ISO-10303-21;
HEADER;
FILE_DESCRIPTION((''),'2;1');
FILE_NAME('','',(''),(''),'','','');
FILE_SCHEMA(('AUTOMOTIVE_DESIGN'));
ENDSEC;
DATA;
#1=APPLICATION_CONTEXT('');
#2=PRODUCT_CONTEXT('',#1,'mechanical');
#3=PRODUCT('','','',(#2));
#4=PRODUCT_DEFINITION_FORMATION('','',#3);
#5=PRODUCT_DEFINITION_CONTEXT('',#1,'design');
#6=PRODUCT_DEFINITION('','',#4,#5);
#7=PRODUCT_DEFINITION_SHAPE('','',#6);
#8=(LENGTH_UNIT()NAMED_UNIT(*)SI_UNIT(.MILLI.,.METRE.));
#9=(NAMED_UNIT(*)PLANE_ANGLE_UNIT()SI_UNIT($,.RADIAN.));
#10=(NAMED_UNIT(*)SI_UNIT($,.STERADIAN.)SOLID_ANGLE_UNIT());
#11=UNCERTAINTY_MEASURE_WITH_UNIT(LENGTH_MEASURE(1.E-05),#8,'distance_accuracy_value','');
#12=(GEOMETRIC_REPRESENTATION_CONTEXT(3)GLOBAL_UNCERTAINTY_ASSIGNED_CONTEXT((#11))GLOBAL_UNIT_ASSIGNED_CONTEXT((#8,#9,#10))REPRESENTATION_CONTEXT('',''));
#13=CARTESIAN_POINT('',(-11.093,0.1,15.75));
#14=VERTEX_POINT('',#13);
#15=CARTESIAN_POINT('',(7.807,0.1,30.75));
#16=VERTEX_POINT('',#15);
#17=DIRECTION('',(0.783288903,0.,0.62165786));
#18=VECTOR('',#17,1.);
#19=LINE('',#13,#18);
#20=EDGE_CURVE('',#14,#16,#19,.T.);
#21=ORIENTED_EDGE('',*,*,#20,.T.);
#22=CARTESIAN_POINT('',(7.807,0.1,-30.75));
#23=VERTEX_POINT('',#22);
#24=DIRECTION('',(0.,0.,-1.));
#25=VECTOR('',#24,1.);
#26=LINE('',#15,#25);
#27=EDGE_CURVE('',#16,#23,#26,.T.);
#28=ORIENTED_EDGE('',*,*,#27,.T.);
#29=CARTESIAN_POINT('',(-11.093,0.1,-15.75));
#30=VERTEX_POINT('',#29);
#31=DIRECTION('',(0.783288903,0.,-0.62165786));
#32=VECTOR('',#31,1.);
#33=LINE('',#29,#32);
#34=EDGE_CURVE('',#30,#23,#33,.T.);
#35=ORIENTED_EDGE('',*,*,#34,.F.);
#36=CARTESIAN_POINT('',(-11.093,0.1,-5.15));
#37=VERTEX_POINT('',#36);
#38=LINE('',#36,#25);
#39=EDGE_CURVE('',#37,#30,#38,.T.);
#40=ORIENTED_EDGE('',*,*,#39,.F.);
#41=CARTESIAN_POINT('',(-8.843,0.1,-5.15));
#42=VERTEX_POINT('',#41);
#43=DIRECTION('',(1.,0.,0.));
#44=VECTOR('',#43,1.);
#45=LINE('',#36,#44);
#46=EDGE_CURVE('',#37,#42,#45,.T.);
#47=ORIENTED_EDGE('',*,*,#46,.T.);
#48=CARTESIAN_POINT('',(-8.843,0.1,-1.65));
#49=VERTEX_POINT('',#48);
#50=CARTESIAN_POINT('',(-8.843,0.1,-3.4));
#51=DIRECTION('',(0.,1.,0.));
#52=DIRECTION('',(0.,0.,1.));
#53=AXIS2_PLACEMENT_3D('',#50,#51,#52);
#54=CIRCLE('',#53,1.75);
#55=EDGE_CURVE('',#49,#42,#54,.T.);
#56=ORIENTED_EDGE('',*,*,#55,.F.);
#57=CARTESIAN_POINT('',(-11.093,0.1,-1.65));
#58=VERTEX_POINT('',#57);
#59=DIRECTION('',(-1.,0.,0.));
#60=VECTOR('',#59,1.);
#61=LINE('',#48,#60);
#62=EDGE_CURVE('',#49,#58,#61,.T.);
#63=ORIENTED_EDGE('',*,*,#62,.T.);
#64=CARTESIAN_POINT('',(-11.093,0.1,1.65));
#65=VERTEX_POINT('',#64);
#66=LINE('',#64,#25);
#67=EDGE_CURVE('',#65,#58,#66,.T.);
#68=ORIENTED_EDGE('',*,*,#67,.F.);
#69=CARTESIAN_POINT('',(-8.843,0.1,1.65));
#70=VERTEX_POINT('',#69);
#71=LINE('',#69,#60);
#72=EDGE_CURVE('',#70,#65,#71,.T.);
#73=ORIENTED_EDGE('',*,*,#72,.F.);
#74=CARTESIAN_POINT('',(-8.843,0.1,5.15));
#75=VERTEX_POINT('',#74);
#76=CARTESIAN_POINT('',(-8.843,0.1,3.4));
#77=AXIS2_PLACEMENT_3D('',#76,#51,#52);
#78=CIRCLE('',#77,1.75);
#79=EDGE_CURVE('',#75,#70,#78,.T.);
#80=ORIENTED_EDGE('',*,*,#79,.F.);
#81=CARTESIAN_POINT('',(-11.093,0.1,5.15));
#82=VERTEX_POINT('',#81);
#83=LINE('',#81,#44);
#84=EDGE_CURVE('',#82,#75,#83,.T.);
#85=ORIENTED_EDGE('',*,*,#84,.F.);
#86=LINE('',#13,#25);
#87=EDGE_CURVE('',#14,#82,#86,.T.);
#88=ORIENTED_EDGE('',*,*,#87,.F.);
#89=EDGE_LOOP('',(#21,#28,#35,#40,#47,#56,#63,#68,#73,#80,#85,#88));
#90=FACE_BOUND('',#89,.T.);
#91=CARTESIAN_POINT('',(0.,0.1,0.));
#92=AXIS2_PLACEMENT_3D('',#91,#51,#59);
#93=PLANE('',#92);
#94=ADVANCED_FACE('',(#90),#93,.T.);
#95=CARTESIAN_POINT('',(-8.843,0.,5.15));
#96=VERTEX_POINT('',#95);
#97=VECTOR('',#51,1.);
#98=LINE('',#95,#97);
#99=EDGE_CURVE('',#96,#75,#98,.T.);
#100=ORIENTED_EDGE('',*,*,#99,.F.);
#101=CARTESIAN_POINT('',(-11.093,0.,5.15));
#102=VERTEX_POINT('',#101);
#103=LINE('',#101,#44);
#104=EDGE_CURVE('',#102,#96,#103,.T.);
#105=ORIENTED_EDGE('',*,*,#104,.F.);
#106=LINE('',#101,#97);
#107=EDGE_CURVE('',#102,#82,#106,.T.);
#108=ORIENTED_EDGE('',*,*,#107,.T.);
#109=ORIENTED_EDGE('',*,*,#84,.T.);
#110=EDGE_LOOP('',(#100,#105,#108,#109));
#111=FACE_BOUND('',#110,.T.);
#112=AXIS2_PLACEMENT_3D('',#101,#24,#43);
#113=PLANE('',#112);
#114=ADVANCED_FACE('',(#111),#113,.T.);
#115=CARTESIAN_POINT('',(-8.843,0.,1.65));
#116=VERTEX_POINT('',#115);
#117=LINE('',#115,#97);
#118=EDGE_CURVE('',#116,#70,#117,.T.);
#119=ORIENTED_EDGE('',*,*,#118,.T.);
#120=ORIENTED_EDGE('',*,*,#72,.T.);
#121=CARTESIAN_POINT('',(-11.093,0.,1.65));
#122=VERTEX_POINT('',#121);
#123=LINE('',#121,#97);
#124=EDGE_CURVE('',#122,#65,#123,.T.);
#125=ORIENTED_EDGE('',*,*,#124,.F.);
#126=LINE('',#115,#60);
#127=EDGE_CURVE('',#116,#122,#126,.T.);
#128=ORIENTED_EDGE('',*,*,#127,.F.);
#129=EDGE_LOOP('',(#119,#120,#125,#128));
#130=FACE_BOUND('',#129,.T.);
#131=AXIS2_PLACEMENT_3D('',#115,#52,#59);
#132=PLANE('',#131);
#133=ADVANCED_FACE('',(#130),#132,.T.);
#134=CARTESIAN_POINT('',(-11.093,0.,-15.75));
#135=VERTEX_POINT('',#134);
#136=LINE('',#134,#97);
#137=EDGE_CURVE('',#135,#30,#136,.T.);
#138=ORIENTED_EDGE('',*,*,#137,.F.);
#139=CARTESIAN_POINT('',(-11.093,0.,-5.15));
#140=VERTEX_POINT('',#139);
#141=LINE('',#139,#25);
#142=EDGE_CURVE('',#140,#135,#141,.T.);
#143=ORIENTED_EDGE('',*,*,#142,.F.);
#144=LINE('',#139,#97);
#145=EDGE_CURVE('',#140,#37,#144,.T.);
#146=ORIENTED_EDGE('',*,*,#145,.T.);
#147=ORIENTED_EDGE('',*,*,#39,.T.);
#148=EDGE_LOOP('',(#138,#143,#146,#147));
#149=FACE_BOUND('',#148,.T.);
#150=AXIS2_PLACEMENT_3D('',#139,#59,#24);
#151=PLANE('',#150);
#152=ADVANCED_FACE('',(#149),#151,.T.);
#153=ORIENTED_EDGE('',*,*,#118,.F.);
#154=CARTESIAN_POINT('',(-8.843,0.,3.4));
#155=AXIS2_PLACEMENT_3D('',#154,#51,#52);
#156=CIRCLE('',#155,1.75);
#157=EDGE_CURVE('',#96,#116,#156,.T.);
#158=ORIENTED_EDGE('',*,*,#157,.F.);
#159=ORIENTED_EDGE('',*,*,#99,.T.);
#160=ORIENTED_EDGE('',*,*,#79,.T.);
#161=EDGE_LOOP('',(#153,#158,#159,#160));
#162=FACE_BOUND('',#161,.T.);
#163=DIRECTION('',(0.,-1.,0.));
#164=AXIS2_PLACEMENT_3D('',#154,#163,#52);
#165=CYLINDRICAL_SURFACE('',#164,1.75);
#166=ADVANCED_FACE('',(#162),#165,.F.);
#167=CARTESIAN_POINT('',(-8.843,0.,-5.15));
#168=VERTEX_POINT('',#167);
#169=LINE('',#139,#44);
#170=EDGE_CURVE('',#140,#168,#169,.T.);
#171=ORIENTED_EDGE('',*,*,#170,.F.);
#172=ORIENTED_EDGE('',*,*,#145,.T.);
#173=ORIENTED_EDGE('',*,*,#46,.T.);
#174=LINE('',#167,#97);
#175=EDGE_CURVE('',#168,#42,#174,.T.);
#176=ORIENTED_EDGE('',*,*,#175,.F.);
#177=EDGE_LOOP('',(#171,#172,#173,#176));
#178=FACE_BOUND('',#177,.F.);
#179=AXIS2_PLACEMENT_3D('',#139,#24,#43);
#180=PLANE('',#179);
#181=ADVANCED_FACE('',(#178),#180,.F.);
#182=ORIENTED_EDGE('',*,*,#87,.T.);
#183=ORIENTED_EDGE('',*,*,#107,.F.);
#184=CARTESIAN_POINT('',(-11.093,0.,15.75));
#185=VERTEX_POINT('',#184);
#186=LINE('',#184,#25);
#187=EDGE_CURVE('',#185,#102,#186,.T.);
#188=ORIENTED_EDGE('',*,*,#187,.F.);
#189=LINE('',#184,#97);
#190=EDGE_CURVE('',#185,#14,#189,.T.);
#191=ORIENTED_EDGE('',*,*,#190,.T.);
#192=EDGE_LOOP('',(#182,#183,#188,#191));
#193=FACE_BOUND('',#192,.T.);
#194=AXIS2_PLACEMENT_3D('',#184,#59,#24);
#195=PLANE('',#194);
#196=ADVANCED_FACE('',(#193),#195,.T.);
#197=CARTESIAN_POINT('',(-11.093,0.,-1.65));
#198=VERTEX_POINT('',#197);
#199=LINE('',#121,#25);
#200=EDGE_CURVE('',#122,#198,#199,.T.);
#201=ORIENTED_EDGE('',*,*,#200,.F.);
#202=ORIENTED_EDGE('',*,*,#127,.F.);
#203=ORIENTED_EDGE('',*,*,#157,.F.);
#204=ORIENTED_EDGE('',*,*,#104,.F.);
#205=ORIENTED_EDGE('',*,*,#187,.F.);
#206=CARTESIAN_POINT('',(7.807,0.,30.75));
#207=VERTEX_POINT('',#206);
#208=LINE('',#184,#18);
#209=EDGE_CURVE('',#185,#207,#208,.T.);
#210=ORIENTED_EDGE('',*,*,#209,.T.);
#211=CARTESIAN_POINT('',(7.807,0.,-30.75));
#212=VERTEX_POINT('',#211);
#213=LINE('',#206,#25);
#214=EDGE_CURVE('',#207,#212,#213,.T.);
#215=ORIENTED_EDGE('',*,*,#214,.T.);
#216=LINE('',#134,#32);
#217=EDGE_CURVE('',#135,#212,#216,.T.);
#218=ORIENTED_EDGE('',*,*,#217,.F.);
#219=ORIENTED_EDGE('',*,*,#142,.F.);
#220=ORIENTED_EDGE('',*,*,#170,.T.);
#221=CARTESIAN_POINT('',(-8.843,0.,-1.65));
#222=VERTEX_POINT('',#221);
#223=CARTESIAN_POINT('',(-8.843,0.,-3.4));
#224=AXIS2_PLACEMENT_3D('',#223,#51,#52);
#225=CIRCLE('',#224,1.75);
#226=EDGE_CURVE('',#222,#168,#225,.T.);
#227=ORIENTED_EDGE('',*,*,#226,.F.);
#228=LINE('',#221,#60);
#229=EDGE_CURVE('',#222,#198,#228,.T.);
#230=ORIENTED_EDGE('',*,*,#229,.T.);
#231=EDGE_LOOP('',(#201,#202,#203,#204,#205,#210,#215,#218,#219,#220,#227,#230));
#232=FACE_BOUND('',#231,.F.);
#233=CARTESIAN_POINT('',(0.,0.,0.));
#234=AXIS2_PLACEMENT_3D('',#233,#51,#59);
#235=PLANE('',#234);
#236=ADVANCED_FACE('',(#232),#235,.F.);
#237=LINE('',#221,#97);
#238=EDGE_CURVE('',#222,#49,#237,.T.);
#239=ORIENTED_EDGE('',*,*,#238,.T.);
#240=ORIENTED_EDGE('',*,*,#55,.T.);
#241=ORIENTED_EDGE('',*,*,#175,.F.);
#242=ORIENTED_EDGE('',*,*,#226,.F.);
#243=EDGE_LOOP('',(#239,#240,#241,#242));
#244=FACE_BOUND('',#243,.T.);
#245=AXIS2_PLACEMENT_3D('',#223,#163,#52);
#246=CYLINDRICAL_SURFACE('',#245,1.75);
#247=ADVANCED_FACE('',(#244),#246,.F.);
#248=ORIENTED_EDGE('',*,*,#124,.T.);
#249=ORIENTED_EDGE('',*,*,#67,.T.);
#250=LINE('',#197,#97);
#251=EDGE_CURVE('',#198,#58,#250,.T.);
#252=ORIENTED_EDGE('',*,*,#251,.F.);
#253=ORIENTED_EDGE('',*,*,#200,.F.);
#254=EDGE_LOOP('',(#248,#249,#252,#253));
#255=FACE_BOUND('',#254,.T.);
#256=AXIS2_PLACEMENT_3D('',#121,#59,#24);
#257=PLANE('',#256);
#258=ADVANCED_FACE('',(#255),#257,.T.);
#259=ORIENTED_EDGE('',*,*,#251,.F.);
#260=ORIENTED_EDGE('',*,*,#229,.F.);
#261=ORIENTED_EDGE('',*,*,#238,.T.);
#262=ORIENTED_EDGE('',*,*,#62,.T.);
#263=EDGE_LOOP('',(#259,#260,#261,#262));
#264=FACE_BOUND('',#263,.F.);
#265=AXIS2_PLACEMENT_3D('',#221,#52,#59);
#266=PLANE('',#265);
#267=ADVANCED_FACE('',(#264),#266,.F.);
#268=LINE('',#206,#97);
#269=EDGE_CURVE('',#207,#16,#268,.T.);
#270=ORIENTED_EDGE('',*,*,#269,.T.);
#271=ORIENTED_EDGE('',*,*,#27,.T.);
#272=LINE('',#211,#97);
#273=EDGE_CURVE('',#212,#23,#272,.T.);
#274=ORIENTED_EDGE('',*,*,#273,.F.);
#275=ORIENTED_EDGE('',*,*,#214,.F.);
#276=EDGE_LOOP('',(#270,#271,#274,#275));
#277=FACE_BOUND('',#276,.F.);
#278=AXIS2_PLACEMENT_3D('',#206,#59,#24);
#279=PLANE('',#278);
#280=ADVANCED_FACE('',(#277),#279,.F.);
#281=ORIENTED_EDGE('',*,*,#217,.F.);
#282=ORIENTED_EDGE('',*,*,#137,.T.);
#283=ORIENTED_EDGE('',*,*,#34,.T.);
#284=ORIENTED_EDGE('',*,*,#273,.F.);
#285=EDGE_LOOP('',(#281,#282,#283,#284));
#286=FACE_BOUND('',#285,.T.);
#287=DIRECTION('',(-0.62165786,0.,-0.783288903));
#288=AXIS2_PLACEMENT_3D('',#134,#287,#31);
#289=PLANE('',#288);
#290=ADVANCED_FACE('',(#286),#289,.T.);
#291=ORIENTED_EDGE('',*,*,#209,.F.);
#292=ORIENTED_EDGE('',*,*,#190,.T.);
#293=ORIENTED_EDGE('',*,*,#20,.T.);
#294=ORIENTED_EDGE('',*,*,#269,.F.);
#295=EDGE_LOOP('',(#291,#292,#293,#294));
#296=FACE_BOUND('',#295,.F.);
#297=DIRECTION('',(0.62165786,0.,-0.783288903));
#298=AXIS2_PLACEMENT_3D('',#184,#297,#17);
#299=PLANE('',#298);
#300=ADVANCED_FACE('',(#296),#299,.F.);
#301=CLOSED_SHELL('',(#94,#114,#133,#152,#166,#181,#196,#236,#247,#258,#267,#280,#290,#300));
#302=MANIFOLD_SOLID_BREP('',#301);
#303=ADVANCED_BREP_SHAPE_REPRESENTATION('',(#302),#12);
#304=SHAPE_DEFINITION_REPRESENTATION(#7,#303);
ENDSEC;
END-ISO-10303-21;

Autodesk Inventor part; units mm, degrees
ref_plane "YZ Plane" through (0, 0, 0) normal (1, 0, 0) x (0, 1, 0)
ref_plane "XZ Plane" through (0, 0, 0) normal (0, 1, 0) x (-1, 0, 0)
ref_plane "XY Plane" through (0, 0, 0) normal (0, 0, 1) x (1, 0, 0)
sketch "Sketch1" plane through (0, 0, 0) normal (0, 1, 0) x (-1, 0, 0)
  line L0 (11.093, 15.75) -> (42.593, 15.75) construction
  line L1 (-7.807, 30.75) -> (-7.807, -30.75)
  line L2 (11.093, 15.75) -> (-7.807, 30.75)
  line L3 (11.093, -15.75) -> (-7.807, -30.75)
  line L4 (11.093, 15.75) -> (11.093, 5.15) construction
  line L5 (11.093, -15.75) -> (11.093, -5.15) construction
  line L6 (11.093, 5.15) -> (8.843, 5.15)
  line L7 (8.843, 1.65) -> (11.093, 1.65)
  line L8 (11.093, -5.15) -> (8.843, -5.15)
  line L9 (8.843, -1.65) -> (11.093, -1.65)
  line L10 (11.093, 15.75) -> (11.093, 5.15)
  line L11 (11.093, 1.65) -> (11.093, -1.65)
  line L12 (11.093, -5.15) -> (11.093, -15.75)
  arc A0 (8.843, -1.65) -> (8.843, -5.15) centre (8.843, -3.4) ccw
  arc A1 (8.843, 5.15) -> (8.843, 1.65) centre (8.843, 3.4) ccw
  point P0 (0, 0)
  point P1 (-7.807, 0)
  point P2 (11.093, 0)
  dimension "d0" = 31.5
  dimension "d2" = 61.5
  dimension "d4" = 10.6
  dimension "d5" = 10.6
  dimension "d9" = 3.5
  dimension "d10" = 3.5
  dimension "d11" = 4
  dimension "d12" = 4
extrude "Extrusion1" add sketch "Sketch1" along normal blind 0.1
properties part number "blade" material "Stainless Steel"
